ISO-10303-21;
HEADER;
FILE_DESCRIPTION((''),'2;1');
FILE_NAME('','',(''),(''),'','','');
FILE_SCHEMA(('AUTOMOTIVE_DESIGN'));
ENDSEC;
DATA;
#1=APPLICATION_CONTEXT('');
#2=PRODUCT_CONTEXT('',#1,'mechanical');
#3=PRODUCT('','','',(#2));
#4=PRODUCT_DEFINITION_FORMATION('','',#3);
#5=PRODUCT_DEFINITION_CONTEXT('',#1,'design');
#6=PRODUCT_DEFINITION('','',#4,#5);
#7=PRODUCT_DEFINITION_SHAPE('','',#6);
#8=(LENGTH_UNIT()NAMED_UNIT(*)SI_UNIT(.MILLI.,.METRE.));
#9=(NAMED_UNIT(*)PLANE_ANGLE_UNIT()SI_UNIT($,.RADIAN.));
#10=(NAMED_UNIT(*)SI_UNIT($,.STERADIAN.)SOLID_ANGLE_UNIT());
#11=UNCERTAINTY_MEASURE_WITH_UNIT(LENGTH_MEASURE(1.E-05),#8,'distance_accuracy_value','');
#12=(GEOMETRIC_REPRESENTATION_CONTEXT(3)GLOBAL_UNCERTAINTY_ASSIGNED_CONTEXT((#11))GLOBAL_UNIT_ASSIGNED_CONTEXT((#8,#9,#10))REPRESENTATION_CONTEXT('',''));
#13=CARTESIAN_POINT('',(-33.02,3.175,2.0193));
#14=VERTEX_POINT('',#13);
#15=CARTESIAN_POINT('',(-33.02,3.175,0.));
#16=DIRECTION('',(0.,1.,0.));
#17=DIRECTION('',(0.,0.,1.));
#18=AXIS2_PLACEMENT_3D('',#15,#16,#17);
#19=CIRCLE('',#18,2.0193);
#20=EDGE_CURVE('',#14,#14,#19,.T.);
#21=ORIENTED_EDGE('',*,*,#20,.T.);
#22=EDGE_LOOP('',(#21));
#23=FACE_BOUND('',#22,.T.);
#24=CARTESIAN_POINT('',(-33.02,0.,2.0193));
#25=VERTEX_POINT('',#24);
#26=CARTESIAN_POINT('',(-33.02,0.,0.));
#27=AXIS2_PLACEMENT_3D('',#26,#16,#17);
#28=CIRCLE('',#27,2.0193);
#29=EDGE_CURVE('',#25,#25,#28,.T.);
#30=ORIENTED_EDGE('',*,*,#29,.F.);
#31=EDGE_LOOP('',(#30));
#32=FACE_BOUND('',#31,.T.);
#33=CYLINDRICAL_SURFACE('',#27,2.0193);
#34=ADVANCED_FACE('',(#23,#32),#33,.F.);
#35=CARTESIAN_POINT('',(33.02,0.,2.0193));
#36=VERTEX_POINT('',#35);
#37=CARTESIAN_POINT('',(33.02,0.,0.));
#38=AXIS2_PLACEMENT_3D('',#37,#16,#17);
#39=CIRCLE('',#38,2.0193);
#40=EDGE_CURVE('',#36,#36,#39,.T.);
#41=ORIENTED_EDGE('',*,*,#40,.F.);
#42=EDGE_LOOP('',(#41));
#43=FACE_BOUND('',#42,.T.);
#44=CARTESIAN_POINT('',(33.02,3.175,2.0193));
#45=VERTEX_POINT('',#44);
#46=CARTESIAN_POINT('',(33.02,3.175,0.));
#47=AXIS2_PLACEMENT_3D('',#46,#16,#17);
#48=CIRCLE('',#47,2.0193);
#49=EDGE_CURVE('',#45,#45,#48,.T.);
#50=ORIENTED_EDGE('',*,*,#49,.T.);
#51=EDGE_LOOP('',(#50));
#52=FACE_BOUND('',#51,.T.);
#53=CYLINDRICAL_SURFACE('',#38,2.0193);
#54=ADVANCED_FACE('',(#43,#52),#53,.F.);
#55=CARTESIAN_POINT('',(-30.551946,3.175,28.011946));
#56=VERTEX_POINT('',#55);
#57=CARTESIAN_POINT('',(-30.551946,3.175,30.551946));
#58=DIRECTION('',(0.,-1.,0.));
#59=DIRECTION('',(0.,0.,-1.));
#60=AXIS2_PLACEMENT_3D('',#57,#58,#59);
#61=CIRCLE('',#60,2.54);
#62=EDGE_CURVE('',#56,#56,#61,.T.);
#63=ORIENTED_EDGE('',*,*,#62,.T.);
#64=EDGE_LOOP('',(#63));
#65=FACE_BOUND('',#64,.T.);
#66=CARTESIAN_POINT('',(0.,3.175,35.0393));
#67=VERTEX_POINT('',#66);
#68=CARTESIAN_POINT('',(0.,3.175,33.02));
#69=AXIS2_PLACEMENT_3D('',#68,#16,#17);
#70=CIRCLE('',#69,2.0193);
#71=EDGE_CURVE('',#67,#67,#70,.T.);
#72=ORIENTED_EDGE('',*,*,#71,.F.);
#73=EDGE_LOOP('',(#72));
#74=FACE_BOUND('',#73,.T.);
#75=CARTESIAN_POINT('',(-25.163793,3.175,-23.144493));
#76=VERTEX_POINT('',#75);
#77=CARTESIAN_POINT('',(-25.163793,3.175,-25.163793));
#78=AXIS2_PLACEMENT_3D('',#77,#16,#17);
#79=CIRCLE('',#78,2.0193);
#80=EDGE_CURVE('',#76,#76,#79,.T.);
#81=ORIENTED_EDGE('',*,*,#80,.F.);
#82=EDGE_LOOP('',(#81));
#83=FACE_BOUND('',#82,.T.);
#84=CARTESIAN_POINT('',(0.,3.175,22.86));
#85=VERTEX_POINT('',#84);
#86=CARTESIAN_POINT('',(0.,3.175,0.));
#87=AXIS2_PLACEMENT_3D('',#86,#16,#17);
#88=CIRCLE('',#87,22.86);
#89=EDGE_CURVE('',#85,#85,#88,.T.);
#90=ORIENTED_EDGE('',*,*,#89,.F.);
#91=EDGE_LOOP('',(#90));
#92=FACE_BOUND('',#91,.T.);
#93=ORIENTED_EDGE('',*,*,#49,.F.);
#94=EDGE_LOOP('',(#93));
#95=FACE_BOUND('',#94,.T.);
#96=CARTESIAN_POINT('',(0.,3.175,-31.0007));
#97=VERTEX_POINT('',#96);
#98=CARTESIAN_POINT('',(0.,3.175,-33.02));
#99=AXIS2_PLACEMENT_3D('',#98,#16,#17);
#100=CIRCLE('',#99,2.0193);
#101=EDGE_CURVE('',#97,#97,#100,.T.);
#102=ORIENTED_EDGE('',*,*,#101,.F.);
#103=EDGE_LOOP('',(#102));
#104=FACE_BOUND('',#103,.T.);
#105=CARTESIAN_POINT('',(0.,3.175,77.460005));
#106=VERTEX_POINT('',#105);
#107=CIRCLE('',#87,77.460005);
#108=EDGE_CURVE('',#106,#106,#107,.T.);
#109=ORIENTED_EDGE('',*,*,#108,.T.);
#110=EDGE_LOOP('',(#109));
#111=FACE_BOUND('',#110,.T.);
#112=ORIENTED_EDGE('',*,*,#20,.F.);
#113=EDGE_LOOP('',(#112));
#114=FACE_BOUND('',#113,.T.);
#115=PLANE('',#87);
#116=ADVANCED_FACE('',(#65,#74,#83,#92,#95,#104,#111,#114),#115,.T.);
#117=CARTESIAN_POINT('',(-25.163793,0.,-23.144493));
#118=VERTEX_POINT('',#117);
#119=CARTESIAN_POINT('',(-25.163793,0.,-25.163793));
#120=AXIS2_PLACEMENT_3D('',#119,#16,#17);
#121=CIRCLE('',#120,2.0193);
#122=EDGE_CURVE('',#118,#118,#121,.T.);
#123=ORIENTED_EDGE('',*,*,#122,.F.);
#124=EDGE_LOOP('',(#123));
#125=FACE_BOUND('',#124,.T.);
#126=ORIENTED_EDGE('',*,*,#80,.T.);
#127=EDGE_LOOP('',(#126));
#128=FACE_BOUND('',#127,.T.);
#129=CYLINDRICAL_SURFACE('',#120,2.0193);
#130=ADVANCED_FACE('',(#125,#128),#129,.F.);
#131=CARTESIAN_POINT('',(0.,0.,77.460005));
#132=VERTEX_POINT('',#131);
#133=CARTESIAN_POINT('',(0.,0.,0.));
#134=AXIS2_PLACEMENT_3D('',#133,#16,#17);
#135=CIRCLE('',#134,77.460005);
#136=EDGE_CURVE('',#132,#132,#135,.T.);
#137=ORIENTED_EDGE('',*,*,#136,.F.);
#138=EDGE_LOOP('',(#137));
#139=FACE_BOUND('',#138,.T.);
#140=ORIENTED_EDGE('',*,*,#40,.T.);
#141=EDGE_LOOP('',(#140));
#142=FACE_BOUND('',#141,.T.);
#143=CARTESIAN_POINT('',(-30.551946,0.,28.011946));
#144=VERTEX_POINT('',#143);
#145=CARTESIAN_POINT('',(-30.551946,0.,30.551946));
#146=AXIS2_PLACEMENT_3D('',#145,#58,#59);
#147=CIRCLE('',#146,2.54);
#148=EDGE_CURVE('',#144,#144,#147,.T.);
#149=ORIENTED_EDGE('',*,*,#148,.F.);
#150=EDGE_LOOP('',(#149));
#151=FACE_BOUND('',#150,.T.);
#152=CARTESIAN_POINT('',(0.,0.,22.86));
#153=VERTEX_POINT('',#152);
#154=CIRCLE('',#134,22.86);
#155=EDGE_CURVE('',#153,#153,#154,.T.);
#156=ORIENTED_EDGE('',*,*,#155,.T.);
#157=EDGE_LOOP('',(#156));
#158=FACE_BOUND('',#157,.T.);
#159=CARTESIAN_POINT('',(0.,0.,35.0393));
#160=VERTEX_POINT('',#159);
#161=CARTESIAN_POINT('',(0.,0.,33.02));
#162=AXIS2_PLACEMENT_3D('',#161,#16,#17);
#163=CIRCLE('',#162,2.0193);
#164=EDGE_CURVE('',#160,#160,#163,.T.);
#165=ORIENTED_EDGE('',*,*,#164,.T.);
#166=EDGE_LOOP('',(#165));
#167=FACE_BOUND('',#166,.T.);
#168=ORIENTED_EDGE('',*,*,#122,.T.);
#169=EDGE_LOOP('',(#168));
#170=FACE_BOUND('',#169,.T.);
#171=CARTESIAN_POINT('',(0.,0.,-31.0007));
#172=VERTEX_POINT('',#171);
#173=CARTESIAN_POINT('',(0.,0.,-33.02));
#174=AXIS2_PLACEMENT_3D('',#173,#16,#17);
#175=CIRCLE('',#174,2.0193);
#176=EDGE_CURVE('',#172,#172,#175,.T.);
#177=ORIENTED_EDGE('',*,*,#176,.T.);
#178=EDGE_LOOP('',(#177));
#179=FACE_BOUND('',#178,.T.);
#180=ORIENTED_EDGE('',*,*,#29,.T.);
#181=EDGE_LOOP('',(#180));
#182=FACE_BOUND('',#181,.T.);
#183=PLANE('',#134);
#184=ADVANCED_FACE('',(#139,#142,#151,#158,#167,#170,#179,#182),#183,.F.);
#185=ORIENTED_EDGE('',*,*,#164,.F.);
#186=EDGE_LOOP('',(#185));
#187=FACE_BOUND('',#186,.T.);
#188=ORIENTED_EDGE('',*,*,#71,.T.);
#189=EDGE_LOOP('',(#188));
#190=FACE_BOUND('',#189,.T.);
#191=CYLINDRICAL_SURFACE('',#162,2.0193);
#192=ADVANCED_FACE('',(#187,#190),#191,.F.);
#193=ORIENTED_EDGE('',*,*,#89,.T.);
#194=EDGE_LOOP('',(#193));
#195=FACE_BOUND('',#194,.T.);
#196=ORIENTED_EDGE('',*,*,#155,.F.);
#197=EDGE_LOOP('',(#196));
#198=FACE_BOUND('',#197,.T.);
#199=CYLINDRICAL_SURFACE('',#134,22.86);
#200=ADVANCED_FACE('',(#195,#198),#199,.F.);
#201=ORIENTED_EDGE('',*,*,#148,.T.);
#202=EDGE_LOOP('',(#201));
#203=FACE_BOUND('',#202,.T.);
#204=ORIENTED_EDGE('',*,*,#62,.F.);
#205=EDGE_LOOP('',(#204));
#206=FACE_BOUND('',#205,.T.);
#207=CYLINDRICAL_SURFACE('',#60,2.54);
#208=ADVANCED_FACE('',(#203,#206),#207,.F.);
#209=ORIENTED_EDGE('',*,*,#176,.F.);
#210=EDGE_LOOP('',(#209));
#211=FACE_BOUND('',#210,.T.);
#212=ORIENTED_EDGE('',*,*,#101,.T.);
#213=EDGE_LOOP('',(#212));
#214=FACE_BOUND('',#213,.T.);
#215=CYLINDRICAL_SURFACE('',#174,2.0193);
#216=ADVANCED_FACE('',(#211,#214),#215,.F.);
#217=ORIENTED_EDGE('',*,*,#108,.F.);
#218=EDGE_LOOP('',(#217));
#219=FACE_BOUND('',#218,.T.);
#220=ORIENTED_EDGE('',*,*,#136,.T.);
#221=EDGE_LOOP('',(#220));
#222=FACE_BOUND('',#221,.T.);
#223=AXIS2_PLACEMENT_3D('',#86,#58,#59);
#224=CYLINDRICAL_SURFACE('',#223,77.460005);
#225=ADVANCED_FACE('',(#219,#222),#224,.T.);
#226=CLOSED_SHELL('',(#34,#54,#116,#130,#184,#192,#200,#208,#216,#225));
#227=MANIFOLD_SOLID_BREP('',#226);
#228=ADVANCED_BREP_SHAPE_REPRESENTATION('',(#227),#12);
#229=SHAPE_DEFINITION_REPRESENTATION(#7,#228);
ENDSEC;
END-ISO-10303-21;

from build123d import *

# Parameters (mm, degrees)
SKETCH1_R           = 77.4600051
BOSS_EXTRUDE1_DEPTH = 3.175
SKETCH20_R          = 22.86
SKETCH20_R_2        = 2.0193
CUT_EXTRUDE10_DEPTH = 251.865681086
SKETCH21_R          = 2.0193
CUT_EXTRUDE11_DEPTH = 251.865681086
SKETCH23_R          = 2.54
CUT_EXTRUDE13_DEPTH = 3.175


with BuildPart() as part:
    # Sketch1 → Boss-Extrude1 (new body)
    with BuildSketch(Plane(origin=(0, 0, 0), x_dir=(1, 0, 0), z_dir=(0, 1, 0))):
        with Locations(Location((0, 0, 0), (0, 0, 270))):
            Circle(SKETCH1_R)
    extrude(amount=BOSS_EXTRUDE1_DEPTH)

    # Sketch20 → Cut-Extrude10 (cut, through all)
    with BuildSketch(Plane(origin=(-73.768816189, 25.4, -121.080352405), x_dir=(1, 0, 0), z_dir=(0, 1, 0))):
        with Locations(Location((73.768816189, -121.080352405, 0), (0, 0, 270))):
            Circle(SKETCH20_R)
        with Locations(Location((73.768816189, -88.060352405, 0), (0, 0, 270))):
            Circle(SKETCH20_R_2)
        with Locations(Location((106.788816189, -121.080352405, 0), (0, 0, 270))):
            Circle(SKETCH20_R_2)
        with Locations(Location((73.768816189, -154.100352405, 0), (0, 0, 270))):
            Circle(SKETCH20_R_2)
        with Locations(Location((40.748816189, -121.080352405, 0), (0, 0, 270))):
            Circle(SKETCH20_R_2)
    extrude(amount=-CUT_EXTRUDE10_DEPTH, mode=Mode.SUBTRACT)

    # Sketch21 → Cut-Extrude11 (cut, through all)
    with BuildSketch(Plane(origin=(-73.768816189, 25.4, -121.080352405), x_dir=(1, 0, 0), z_dir=(0, 1, 0))):
        with Locations(Location((48.605023435, -95.916559651, 0), (0, 0, 270))):
            Circle(SKETCH21_R)
    extrude(amount=-CUT_EXTRUDE11_DEPTH, mode=Mode.SUBTRACT)

    # Sketch23 → Cut-Extrude13 (cut)
    with BuildSketch(Plane(origin=(-73.768816189, 0, -121.080352405), x_dir=(1, 0, 0), z_dir=(0, -1, 0))):
        with Locations(Location((43.216869762, 151.632298832, 0), (0, 0, 270))):
            Circle(SKETCH23_R)
    extrude(amount=-CUT_EXTRUDE13_DEPTH, mode=Mode.SUBTRACT)


solid = part.part
